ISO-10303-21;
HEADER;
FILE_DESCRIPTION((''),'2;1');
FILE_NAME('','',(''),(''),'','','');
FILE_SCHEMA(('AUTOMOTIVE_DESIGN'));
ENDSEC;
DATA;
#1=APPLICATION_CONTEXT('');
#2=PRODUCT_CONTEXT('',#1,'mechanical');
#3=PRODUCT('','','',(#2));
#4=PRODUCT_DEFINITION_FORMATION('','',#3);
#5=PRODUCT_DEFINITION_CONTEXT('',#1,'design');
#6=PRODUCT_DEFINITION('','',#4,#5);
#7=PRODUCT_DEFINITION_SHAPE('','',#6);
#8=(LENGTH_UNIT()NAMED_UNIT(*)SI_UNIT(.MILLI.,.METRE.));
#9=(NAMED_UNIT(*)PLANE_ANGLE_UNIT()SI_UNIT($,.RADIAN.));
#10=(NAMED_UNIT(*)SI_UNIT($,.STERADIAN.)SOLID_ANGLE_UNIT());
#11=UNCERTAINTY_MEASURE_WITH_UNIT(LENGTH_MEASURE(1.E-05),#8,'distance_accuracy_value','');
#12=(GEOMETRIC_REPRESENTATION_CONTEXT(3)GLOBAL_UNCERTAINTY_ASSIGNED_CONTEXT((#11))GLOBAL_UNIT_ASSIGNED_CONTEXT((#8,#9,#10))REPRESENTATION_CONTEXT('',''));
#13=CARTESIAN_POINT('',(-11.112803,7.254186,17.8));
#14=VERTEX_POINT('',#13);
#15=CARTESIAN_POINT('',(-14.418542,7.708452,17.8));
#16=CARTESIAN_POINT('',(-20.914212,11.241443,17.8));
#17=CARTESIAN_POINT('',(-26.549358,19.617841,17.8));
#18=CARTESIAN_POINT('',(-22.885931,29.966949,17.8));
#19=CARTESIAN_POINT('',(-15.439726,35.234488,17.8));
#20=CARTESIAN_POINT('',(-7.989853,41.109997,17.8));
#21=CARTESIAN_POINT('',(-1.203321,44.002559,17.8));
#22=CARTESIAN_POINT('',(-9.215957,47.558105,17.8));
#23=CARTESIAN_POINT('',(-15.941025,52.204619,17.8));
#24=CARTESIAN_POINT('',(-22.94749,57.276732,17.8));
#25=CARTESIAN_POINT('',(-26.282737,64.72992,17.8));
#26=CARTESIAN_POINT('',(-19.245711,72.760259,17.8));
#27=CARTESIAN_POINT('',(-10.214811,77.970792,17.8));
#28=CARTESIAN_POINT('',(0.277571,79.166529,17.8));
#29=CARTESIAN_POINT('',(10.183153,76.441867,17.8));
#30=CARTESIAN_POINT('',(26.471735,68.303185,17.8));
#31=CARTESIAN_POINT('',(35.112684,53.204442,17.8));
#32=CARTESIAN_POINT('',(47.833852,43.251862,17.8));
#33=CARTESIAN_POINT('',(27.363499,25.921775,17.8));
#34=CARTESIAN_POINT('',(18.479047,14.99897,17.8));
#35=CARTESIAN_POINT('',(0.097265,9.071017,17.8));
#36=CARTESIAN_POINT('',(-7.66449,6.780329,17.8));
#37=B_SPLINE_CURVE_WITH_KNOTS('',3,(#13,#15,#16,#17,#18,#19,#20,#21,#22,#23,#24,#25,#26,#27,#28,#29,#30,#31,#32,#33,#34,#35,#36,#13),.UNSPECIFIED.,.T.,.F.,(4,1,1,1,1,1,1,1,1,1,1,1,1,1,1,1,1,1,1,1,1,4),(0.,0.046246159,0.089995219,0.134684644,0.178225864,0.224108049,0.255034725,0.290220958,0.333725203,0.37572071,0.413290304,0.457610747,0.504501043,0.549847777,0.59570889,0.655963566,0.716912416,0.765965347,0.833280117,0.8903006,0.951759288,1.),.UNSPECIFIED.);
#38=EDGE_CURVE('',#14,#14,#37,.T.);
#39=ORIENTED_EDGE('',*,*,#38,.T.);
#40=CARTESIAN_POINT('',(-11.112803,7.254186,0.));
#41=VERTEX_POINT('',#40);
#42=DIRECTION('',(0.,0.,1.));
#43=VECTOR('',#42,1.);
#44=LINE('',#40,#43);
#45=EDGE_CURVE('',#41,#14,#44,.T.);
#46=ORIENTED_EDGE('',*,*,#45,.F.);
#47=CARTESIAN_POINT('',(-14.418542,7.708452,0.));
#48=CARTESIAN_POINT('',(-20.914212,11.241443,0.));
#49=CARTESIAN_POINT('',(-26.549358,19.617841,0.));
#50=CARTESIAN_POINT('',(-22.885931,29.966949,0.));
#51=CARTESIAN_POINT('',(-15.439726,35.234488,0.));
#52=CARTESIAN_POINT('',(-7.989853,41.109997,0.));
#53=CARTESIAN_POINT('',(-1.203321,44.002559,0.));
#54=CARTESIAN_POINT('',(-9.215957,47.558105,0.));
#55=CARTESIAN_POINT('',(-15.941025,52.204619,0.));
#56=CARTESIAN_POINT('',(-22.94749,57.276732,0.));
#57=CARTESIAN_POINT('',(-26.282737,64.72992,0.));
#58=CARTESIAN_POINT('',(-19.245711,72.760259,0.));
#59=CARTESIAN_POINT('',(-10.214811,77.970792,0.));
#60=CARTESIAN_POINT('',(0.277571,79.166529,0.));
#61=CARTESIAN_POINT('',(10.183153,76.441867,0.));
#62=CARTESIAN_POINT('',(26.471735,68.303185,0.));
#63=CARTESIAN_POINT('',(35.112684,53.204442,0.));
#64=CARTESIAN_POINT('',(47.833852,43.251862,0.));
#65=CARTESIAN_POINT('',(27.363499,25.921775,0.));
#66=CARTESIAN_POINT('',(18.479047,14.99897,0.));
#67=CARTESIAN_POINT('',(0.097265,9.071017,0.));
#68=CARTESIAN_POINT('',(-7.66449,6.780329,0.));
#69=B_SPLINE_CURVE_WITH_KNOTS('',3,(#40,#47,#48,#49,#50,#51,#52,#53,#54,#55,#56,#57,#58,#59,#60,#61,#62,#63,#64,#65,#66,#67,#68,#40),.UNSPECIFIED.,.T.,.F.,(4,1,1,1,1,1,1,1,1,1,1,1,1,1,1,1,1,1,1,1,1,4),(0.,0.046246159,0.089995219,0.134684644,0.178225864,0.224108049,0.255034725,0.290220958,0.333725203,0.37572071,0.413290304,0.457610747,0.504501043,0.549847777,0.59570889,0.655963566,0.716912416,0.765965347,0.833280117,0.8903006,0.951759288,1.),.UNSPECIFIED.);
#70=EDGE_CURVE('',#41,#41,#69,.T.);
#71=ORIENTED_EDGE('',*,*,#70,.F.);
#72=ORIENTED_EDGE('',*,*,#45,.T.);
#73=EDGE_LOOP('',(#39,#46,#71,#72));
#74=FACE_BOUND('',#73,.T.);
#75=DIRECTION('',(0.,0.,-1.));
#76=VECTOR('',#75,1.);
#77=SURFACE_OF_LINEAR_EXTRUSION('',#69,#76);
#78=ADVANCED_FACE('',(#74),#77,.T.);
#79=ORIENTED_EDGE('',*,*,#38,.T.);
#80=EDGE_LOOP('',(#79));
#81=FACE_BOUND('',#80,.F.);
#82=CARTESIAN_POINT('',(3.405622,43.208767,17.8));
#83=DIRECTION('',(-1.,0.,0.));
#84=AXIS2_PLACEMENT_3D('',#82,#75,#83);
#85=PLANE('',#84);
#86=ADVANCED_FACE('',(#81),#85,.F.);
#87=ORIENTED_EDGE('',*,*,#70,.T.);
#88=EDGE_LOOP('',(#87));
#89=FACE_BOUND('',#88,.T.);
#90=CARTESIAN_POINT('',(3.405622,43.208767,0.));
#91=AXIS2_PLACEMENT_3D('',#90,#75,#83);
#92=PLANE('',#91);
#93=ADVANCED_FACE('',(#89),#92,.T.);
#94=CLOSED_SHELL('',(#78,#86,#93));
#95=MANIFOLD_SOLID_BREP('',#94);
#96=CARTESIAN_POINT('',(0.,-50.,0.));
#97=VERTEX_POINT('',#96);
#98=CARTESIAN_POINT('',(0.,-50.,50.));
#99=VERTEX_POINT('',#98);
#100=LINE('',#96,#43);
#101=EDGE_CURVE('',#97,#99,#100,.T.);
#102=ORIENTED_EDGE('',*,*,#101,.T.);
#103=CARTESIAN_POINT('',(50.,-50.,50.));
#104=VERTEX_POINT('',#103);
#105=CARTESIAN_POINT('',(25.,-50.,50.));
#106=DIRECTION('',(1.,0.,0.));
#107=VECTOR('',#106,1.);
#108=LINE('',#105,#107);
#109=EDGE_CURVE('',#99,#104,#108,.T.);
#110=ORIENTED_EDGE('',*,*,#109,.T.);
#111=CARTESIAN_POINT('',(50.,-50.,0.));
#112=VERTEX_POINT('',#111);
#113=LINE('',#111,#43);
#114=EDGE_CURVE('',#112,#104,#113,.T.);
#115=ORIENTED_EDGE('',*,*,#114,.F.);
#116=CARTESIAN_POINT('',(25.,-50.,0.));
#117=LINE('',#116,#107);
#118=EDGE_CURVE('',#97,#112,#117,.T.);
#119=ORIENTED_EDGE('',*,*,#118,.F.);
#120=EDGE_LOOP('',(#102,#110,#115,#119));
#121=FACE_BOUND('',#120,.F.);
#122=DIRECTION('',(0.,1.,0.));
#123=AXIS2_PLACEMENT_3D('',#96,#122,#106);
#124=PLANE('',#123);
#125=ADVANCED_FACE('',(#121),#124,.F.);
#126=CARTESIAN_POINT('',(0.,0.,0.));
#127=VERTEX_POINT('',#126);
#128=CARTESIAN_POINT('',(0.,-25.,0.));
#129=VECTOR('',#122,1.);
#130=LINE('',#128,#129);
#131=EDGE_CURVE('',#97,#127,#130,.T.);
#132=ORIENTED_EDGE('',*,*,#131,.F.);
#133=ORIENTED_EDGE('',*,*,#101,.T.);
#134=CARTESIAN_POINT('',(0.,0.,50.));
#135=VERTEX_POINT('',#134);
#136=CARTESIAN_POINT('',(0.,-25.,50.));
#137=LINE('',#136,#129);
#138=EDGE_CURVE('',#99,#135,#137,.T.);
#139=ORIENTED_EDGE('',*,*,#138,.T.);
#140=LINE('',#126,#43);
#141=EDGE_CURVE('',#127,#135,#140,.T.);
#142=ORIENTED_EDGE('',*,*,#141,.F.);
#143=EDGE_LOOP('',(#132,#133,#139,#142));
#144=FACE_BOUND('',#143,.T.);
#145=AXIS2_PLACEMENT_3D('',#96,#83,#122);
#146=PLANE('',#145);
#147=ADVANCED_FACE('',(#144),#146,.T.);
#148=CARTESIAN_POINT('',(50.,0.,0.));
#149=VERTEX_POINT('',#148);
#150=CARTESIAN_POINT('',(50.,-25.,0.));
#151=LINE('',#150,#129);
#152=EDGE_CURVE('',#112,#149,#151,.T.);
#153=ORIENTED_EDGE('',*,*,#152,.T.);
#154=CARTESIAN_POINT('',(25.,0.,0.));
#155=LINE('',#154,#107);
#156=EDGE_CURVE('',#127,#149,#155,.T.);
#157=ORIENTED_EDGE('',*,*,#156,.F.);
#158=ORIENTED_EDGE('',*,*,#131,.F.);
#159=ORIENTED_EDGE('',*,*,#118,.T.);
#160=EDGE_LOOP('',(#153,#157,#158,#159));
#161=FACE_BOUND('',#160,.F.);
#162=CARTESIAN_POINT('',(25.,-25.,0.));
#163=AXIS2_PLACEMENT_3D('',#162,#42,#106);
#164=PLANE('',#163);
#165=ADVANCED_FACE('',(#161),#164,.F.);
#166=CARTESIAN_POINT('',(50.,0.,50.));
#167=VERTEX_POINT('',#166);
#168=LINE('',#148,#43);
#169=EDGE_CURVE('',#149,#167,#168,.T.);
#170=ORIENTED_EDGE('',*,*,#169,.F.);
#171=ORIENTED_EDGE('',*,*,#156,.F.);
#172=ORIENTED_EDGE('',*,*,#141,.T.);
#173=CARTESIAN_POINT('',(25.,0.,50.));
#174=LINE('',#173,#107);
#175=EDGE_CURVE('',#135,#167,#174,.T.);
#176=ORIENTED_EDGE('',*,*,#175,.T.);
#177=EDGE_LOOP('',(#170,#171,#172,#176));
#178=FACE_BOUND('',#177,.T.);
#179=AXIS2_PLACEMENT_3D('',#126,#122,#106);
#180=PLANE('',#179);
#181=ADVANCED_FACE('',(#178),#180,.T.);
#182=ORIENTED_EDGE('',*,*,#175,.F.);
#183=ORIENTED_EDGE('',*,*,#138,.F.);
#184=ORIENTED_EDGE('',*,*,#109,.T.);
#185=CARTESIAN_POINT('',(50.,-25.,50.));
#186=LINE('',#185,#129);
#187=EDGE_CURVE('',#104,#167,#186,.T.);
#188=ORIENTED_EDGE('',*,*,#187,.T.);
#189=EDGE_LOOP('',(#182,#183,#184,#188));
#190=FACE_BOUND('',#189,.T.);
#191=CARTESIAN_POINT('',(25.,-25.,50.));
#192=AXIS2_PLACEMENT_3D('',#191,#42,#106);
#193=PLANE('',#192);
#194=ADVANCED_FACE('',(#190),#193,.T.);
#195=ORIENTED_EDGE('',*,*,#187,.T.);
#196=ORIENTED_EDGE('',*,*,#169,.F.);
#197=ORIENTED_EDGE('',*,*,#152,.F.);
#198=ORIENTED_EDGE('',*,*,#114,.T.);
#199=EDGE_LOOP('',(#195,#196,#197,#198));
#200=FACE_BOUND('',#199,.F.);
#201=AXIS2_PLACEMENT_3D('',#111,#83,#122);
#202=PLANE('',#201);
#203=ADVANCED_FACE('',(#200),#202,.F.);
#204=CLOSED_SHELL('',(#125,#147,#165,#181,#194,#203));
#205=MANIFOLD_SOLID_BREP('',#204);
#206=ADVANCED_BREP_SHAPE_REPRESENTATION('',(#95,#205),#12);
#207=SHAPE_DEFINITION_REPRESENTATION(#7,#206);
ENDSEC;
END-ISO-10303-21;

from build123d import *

# Parameters (mm, degrees)
F0_W     = 50
F0_H     = 50
F1_DEPTH = 50
F3_DEPTH = 17.8


with BuildPart() as f1:
    # F0 (on Top) → F1 (new body)
    with BuildSketch(Plane.XY):
        with Locations((25, -25)):
            Rectangle(F0_W, F0_H)
    extrude(amount=F1_DEPTH)


with BuildPart() as f3:
    # F2 (on Top) → F3 (new body)
    with BuildSketch(Plane.XY):
        with BuildLine():
            add(Edge.make_bspline(
                [(-11.112802662, 7.2541860864), (-14.4185418195, 7.7084515339), (-20.9142121492, 11.2414431945), (-26.5493579768, 19.6178411178), (-22.8859313295, 29.9669490763), (-15.4397255813, 35.2344880726), (-7.9898531853, 41.1099969043), (-1.2033210129, 44.0025586031), (-9.2159567112, 47.5581048309), (-15.941025092, 52.2046191515), (-22.9474902914, 57.2767322968), (-26.2827371424, 64.7299200481), (-19.2457108688, 72.7602588486), (-10.2148105665, 77.9707915649), (0.2775713366, 79.1665287203), (10.1831525846, 76.4418672157), (26.4717351651, 68.303185111), (35.1126840298, 53.2044422784), (47.8338520583, 43.2518615307), (27.3634991572, 25.9217750659), (18.4790466454, 14.9989695473), (0.0972653327, 9.0710165894), (-7.6644900371, 6.7803285909), (-11.112802662, 7.2541860864)],
                knots=[0, 0, 0, 0, 0.0462461585, 0.0899952194, 0.1346846439, 0.1782258638, 0.2241080489, 0.2550347252, 0.2902209581, 0.3337252031, 0.3757207102, 0.413290304, 0.4576107472, 0.504501043, 0.5498477771, 0.5957088896, 0.6559635657, 0.7169124164, 0.7659653469, 0.8332801175, 0.8903006, 0.9517592876, 1, 1, 1, 1], degree=3))
        make_face()
    extrude(amount=F3_DEPTH)


solid = Compound([f1.part, f3.part])
